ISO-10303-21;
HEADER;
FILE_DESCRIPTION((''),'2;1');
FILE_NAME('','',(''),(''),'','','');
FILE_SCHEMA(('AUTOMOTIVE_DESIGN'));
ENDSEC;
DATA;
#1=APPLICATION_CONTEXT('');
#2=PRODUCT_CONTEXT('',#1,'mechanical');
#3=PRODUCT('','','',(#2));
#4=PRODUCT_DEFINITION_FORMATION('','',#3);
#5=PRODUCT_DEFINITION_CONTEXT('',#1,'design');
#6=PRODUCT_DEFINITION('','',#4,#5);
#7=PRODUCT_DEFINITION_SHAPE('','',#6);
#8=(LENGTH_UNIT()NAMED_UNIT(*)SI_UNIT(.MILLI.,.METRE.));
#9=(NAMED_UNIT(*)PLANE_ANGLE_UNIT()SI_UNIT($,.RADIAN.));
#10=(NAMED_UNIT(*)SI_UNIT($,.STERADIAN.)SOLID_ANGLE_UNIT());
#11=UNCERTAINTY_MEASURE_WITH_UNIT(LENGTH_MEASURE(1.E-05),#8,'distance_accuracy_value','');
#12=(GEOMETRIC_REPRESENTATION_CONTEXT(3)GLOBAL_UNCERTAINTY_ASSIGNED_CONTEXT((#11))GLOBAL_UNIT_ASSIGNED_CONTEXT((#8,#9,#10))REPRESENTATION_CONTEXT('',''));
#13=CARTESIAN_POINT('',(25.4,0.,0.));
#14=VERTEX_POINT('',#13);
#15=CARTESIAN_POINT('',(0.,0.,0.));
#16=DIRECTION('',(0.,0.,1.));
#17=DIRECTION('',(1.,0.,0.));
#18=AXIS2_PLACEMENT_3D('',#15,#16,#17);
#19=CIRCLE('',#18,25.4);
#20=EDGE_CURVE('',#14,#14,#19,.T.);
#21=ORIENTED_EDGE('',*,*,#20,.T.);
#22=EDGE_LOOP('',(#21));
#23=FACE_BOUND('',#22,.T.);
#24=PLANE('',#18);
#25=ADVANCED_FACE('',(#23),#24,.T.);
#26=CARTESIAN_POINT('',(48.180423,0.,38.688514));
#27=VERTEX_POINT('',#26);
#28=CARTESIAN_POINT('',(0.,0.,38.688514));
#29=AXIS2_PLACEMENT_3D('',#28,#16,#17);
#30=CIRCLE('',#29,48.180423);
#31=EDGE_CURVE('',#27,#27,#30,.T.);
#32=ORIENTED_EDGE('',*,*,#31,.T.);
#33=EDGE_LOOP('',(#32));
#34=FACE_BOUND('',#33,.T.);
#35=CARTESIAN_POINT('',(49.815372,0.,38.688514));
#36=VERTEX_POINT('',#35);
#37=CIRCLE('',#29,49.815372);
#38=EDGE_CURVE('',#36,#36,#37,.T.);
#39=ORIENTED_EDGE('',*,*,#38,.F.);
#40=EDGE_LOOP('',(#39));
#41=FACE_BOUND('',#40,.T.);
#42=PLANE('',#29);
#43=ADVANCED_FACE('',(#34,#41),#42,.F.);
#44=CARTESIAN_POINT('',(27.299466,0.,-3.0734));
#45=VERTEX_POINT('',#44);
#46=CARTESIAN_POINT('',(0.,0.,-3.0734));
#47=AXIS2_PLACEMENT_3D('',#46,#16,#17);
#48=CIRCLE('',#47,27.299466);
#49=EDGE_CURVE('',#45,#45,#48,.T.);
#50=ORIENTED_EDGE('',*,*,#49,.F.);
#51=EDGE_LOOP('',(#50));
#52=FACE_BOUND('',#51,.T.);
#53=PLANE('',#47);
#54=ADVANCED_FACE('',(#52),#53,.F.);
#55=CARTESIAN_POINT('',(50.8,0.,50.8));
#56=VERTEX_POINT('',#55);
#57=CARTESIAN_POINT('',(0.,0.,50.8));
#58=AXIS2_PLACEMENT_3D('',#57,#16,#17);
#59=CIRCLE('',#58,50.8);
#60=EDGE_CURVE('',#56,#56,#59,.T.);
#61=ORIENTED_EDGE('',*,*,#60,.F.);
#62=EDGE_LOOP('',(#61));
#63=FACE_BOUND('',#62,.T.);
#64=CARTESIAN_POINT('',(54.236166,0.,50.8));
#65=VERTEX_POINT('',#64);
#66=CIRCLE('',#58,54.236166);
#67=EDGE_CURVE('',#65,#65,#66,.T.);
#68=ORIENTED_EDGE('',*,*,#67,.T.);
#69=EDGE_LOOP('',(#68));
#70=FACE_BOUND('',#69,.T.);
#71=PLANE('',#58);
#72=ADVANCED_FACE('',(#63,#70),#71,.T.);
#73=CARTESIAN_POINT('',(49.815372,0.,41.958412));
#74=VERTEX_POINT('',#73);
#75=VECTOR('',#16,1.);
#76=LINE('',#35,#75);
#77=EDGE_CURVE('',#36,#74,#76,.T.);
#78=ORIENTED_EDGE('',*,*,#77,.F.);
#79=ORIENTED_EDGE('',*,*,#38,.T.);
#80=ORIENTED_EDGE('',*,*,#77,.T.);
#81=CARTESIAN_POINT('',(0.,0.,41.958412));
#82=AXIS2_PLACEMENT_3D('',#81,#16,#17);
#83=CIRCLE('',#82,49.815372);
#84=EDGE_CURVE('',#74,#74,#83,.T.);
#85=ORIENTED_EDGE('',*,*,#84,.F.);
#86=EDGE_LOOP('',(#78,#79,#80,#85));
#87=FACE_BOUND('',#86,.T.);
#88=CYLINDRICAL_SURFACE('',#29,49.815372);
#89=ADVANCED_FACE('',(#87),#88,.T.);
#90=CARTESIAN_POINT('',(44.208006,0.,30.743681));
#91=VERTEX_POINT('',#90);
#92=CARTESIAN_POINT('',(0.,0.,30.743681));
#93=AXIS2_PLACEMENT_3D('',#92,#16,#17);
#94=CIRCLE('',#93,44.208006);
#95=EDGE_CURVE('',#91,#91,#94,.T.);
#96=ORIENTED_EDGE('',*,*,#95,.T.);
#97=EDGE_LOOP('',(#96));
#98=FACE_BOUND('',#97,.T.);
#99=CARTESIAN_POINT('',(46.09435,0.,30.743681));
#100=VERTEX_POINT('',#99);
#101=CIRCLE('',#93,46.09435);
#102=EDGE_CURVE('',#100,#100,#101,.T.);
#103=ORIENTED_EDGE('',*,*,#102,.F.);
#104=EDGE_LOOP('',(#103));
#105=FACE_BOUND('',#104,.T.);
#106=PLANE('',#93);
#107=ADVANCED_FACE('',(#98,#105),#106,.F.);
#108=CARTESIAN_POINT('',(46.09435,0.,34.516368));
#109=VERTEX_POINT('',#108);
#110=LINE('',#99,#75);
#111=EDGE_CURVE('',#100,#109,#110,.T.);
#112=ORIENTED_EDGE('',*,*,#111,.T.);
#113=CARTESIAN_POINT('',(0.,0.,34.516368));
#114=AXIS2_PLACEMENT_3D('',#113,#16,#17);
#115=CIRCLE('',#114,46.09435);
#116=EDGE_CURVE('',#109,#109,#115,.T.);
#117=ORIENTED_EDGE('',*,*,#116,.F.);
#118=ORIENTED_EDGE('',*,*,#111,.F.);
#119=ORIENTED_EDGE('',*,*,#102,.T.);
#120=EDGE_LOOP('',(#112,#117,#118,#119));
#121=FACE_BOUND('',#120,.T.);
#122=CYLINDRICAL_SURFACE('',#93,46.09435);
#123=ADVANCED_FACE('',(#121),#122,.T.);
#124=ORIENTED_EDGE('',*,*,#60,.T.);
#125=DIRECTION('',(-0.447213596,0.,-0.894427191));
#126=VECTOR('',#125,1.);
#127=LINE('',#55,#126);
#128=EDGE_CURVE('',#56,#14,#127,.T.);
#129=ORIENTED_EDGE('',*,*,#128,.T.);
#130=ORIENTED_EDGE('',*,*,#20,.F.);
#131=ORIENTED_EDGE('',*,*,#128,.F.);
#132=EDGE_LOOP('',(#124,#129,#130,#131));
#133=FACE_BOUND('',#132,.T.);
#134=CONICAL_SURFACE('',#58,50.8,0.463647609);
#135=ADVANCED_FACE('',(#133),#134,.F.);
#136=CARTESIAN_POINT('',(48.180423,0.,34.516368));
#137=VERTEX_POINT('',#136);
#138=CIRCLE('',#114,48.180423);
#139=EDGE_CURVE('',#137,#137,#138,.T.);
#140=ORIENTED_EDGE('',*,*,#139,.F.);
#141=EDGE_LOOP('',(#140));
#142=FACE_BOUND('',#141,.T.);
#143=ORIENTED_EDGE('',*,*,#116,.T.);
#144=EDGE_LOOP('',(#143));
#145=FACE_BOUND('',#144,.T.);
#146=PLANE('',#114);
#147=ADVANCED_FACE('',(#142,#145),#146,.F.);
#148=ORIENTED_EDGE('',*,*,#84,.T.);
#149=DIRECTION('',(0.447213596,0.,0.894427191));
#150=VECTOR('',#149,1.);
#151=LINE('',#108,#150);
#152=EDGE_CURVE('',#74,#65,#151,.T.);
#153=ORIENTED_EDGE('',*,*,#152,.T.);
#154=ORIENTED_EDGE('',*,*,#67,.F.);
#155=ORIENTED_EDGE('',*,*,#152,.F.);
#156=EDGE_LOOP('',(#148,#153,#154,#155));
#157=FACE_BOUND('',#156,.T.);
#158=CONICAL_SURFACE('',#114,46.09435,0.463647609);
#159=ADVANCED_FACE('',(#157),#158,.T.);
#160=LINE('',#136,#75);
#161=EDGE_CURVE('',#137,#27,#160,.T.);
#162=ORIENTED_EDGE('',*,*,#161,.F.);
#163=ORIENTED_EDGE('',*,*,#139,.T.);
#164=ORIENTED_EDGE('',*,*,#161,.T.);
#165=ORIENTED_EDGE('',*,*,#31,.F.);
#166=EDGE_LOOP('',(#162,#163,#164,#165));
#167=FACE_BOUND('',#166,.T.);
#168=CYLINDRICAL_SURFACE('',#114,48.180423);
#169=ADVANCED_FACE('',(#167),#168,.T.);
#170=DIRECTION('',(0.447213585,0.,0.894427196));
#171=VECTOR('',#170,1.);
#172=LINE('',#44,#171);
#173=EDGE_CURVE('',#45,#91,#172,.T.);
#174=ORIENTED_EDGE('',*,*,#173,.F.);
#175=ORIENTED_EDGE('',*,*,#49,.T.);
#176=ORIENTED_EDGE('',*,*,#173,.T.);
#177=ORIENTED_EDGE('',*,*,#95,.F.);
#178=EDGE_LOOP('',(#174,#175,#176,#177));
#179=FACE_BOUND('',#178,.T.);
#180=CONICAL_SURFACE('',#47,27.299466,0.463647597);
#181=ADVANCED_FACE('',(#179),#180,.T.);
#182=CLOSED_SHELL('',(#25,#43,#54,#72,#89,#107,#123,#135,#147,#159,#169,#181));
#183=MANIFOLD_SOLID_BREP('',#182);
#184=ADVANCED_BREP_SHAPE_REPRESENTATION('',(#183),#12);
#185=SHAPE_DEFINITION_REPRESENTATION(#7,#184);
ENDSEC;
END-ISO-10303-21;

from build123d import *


with BuildPart() as f1:
    # F0 (on Front) → F1 (revolve)
    with BuildSketch(Plane.XZ):
        Polygon((25.4, 0), (0, 0), (0, -3.0734), (27.299466, -3.0734), (44.208006, 30.743681), (46.09435, 34.516368), (48.180423, 38.688514), (49.815372, 41.958412), (54.236166, 50.8), (50.8, 50.8), align=None)
        Polygon((46.09435, 34.516368), (44.208006, 30.743681), (46.09435, 30.743681), align=None)
        Polygon((48.180423, 38.688514), (46.09435, 34.516368), (48.180423, 34.516368), align=None)
        Polygon((49.815372, 38.688514), (49.815372, 41.958412), (48.180423, 38.688514), align=None)
    revolve(axis=Axis((0, 0, 25.4), (0, 0, 1)))


solid = f1.part
